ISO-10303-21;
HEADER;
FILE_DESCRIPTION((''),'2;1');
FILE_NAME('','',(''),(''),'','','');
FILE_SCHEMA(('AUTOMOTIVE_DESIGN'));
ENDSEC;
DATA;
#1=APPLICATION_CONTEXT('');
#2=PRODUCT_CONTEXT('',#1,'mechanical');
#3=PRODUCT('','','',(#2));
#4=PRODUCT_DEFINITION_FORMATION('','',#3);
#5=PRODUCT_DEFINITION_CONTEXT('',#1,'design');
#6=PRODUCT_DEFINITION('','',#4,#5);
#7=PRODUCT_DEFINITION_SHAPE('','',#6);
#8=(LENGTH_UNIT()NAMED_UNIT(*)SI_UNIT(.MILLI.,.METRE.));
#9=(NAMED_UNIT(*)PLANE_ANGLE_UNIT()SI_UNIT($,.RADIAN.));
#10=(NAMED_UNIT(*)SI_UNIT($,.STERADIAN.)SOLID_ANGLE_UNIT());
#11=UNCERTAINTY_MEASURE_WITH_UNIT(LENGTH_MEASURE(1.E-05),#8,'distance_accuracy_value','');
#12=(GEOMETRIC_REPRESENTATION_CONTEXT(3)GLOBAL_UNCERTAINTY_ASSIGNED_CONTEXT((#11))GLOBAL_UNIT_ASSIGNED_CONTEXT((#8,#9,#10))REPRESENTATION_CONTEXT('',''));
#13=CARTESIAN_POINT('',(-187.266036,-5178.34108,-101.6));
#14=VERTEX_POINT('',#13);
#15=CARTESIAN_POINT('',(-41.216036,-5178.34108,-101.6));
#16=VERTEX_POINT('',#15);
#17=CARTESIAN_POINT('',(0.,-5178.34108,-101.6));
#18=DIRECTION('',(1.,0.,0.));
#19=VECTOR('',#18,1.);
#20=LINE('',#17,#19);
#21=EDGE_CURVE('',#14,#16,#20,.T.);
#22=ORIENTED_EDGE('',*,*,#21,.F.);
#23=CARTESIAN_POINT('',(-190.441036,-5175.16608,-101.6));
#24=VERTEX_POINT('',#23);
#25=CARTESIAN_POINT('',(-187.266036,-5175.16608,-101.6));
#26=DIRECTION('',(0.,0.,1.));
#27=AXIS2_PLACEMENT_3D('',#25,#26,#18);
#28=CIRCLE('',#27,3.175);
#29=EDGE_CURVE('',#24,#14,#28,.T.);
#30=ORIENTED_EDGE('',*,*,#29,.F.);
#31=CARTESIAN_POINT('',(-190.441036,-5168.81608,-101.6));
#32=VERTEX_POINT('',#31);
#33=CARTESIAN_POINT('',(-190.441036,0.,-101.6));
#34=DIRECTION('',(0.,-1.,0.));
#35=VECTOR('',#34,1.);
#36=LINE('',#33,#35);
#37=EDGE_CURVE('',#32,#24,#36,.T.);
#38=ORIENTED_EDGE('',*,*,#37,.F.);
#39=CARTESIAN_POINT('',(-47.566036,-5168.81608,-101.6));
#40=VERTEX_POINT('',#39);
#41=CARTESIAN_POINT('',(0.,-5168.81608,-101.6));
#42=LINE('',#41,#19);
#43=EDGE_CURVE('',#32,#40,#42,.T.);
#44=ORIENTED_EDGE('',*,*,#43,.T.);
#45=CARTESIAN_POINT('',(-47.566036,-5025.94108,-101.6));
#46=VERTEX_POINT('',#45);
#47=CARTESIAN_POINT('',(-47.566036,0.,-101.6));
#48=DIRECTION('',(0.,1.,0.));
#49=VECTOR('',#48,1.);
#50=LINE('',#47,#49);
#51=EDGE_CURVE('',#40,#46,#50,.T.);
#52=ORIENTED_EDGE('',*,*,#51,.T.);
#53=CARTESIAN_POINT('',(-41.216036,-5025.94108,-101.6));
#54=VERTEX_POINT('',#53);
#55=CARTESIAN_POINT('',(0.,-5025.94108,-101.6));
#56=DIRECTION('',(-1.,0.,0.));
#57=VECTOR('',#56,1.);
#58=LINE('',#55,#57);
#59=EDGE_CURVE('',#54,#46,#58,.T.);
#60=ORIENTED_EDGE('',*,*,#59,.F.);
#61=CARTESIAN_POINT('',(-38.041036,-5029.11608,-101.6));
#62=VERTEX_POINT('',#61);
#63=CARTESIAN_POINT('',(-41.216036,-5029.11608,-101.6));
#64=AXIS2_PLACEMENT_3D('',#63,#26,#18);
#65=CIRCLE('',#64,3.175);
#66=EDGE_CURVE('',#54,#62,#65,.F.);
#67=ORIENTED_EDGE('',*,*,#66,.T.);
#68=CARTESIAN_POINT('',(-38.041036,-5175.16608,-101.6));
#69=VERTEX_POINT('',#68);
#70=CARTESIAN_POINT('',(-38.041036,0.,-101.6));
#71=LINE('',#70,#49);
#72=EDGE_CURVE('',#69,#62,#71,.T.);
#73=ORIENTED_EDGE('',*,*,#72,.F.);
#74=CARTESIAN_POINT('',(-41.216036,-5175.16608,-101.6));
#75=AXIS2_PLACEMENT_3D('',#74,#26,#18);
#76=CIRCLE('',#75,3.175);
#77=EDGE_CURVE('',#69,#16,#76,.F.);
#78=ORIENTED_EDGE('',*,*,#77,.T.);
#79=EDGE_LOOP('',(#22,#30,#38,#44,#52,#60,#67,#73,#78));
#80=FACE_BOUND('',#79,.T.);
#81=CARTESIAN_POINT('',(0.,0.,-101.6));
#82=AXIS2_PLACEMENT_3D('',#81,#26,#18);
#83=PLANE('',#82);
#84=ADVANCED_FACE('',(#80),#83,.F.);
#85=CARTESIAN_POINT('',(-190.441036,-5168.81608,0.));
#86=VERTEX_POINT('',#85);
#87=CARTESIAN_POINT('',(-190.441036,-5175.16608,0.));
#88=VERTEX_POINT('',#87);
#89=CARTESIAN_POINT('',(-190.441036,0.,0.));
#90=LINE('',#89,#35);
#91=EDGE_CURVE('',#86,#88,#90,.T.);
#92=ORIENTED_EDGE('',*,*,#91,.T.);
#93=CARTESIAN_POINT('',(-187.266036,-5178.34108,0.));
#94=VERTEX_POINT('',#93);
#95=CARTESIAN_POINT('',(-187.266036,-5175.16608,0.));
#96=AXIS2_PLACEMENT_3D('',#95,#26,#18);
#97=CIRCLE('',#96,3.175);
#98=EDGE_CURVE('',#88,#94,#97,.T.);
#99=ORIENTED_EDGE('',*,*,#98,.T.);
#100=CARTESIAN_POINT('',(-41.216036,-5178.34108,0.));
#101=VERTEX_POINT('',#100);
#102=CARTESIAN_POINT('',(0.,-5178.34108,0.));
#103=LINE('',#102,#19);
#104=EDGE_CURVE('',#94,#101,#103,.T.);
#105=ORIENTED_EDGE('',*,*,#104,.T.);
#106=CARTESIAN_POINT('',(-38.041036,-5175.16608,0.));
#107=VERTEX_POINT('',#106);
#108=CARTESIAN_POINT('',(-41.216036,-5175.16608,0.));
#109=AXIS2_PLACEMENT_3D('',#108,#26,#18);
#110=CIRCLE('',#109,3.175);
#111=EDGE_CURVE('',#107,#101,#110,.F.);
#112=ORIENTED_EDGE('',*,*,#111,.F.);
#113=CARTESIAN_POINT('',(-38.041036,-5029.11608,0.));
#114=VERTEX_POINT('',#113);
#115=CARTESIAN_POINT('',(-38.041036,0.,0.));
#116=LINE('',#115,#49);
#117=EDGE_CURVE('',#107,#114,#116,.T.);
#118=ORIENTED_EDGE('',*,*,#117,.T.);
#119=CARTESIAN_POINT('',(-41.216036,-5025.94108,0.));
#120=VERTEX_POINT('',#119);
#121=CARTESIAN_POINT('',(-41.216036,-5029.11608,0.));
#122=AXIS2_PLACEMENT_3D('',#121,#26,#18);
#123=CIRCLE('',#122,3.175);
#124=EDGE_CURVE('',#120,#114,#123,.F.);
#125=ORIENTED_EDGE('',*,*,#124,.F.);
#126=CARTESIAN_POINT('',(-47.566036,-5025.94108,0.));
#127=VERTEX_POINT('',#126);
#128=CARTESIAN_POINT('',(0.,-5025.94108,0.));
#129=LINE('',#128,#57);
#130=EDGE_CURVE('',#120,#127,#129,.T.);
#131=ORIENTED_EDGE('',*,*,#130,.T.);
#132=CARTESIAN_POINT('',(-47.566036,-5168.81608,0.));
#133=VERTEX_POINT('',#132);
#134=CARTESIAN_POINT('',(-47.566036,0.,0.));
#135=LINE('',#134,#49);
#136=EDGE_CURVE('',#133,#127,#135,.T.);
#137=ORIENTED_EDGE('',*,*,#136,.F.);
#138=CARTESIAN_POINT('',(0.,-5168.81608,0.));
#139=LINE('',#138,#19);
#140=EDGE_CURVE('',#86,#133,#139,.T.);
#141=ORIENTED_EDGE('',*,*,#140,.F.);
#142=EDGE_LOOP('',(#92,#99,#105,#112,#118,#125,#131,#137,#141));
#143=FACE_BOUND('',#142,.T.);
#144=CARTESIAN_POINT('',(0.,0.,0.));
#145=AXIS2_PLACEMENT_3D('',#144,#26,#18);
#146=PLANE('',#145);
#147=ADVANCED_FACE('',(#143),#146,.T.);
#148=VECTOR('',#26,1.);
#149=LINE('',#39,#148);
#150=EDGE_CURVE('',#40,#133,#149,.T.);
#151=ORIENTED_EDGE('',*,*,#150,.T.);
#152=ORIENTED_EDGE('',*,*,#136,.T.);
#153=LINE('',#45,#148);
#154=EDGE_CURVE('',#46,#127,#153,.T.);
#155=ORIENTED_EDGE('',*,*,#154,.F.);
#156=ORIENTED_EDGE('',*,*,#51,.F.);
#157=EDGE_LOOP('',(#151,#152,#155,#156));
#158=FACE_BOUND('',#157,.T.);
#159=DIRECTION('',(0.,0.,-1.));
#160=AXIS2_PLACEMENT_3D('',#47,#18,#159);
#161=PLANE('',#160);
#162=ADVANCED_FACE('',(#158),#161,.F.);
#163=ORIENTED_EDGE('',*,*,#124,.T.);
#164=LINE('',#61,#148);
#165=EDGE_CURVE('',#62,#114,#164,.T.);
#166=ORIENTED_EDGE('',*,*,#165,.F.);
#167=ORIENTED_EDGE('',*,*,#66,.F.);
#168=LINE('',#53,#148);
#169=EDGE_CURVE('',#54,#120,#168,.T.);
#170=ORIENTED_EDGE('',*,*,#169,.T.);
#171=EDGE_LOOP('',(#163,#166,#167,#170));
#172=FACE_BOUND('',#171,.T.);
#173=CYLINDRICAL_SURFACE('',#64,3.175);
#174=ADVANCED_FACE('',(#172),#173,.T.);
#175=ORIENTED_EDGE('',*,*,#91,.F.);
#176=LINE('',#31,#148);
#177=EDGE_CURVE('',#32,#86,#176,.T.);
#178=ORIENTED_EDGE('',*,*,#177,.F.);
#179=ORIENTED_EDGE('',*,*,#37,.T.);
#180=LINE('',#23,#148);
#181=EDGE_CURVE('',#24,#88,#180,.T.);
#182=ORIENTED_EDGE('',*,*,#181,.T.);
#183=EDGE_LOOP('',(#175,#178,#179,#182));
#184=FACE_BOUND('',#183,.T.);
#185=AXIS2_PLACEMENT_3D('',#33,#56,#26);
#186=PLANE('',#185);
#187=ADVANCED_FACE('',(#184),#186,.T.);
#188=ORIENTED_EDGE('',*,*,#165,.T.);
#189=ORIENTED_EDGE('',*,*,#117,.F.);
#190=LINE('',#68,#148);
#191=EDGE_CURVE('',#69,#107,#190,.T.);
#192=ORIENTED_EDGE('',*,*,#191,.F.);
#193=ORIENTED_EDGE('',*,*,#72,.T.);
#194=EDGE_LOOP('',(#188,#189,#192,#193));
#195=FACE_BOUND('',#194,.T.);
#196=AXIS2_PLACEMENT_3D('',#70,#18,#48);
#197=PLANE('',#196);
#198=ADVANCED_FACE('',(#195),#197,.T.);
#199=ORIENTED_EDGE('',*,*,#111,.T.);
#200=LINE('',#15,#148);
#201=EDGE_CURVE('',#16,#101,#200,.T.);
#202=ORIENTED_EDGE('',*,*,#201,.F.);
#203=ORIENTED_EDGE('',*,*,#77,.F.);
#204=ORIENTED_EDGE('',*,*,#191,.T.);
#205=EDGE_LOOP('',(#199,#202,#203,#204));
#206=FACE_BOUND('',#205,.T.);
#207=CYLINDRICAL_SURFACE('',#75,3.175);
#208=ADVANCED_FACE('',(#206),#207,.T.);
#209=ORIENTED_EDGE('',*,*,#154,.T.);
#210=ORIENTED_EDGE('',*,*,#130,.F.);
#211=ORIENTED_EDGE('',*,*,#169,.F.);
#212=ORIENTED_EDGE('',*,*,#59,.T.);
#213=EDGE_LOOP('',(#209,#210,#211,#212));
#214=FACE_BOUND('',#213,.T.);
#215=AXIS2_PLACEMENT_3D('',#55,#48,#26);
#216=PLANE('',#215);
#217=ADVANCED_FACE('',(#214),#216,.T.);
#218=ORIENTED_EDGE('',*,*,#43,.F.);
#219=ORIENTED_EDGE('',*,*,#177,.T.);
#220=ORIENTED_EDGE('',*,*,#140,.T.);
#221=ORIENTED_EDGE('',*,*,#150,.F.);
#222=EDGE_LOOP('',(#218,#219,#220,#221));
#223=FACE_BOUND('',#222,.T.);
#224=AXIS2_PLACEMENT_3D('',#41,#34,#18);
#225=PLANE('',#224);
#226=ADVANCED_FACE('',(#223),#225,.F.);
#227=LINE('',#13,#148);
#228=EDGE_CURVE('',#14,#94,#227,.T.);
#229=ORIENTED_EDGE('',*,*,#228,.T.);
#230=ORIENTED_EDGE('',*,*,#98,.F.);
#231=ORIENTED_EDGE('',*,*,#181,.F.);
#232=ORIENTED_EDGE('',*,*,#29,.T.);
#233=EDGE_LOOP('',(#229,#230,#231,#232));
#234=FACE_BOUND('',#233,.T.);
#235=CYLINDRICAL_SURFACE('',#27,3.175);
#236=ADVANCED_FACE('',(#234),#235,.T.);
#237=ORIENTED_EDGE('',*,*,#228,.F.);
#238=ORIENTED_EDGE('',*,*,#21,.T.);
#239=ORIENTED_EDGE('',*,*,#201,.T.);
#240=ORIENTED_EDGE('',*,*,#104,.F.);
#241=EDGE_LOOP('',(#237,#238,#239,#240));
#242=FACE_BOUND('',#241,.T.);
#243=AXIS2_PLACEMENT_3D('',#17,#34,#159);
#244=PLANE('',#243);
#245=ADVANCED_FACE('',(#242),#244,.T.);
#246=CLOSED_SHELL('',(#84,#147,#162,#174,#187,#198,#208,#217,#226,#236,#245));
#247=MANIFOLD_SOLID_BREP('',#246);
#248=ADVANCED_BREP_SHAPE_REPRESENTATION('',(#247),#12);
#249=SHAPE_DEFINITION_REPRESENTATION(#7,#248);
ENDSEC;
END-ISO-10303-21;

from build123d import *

# Parameters (mm, degrees)
BOSS_EXTRUDE1_DEPTH = 101.6


with BuildPart() as part:
    # Sketch1 → Boss-Extrude1 (new body)
    with BuildSketch(Plane.XY):
        with BuildLine():
            Line((-101.6, -5178.34108), (-101.6, -5168.81608))
            Line((-101.6, -5168.81608), (-190.441035714, -5168.81608))
            Line((-190.441035714, -5168.81608), (-190.441035714, -5175.16608))
            ThreePointArc((-190.441035714, -5175.16608), (-189.511099745, -5177.41114403), (-187.266035714, -5178.34108))
            Line((-187.266035714, -5178.34108), (-101.6, -5178.34108))
        make_face()
        with BuildLine():
            Line((-38.041035714, -5168.81608), (-47.566035714, -5168.81608))
            Line((-47.566035714, -5168.81608), (-53.408035714, -5168.81608))
            Line((-53.408035714, -5168.81608), (-101.6, -5168.81608))
            Line((-101.6, -5168.81608), (-101.6, -5178.34108))
            Line((-101.6, -5178.34108), (-41.216035714, -5178.34108))
            ThreePointArc((-41.216035714, -5178.34108), (-38.970971684, -5177.41114403), (-38.041035714, -5175.16608))
            Line((-38.041035714, -5175.16608), (-38.041035714, -5168.81608))
        make_face()
        with BuildLine():
            Line((-47.566035714, -5025.94108), (-47.566035714, -5168.81608))
            Line((-47.566035714, -5168.81608), (-38.041035714, -5168.81608))
            Line((-38.041035714, -5168.81608), (-38.041035714, -5029.11608))
            ThreePointArc((-38.041035714, -5029.11608), (-38.970971684, -5026.87101597), (-41.216035714, -5025.94108))
            Line((-41.216035714, -5025.94108), (-47.566035714, -5025.94108))
        make_face()
    extrude(amount=-BOSS_EXTRUDE1_DEPTH)


solid = part.part
